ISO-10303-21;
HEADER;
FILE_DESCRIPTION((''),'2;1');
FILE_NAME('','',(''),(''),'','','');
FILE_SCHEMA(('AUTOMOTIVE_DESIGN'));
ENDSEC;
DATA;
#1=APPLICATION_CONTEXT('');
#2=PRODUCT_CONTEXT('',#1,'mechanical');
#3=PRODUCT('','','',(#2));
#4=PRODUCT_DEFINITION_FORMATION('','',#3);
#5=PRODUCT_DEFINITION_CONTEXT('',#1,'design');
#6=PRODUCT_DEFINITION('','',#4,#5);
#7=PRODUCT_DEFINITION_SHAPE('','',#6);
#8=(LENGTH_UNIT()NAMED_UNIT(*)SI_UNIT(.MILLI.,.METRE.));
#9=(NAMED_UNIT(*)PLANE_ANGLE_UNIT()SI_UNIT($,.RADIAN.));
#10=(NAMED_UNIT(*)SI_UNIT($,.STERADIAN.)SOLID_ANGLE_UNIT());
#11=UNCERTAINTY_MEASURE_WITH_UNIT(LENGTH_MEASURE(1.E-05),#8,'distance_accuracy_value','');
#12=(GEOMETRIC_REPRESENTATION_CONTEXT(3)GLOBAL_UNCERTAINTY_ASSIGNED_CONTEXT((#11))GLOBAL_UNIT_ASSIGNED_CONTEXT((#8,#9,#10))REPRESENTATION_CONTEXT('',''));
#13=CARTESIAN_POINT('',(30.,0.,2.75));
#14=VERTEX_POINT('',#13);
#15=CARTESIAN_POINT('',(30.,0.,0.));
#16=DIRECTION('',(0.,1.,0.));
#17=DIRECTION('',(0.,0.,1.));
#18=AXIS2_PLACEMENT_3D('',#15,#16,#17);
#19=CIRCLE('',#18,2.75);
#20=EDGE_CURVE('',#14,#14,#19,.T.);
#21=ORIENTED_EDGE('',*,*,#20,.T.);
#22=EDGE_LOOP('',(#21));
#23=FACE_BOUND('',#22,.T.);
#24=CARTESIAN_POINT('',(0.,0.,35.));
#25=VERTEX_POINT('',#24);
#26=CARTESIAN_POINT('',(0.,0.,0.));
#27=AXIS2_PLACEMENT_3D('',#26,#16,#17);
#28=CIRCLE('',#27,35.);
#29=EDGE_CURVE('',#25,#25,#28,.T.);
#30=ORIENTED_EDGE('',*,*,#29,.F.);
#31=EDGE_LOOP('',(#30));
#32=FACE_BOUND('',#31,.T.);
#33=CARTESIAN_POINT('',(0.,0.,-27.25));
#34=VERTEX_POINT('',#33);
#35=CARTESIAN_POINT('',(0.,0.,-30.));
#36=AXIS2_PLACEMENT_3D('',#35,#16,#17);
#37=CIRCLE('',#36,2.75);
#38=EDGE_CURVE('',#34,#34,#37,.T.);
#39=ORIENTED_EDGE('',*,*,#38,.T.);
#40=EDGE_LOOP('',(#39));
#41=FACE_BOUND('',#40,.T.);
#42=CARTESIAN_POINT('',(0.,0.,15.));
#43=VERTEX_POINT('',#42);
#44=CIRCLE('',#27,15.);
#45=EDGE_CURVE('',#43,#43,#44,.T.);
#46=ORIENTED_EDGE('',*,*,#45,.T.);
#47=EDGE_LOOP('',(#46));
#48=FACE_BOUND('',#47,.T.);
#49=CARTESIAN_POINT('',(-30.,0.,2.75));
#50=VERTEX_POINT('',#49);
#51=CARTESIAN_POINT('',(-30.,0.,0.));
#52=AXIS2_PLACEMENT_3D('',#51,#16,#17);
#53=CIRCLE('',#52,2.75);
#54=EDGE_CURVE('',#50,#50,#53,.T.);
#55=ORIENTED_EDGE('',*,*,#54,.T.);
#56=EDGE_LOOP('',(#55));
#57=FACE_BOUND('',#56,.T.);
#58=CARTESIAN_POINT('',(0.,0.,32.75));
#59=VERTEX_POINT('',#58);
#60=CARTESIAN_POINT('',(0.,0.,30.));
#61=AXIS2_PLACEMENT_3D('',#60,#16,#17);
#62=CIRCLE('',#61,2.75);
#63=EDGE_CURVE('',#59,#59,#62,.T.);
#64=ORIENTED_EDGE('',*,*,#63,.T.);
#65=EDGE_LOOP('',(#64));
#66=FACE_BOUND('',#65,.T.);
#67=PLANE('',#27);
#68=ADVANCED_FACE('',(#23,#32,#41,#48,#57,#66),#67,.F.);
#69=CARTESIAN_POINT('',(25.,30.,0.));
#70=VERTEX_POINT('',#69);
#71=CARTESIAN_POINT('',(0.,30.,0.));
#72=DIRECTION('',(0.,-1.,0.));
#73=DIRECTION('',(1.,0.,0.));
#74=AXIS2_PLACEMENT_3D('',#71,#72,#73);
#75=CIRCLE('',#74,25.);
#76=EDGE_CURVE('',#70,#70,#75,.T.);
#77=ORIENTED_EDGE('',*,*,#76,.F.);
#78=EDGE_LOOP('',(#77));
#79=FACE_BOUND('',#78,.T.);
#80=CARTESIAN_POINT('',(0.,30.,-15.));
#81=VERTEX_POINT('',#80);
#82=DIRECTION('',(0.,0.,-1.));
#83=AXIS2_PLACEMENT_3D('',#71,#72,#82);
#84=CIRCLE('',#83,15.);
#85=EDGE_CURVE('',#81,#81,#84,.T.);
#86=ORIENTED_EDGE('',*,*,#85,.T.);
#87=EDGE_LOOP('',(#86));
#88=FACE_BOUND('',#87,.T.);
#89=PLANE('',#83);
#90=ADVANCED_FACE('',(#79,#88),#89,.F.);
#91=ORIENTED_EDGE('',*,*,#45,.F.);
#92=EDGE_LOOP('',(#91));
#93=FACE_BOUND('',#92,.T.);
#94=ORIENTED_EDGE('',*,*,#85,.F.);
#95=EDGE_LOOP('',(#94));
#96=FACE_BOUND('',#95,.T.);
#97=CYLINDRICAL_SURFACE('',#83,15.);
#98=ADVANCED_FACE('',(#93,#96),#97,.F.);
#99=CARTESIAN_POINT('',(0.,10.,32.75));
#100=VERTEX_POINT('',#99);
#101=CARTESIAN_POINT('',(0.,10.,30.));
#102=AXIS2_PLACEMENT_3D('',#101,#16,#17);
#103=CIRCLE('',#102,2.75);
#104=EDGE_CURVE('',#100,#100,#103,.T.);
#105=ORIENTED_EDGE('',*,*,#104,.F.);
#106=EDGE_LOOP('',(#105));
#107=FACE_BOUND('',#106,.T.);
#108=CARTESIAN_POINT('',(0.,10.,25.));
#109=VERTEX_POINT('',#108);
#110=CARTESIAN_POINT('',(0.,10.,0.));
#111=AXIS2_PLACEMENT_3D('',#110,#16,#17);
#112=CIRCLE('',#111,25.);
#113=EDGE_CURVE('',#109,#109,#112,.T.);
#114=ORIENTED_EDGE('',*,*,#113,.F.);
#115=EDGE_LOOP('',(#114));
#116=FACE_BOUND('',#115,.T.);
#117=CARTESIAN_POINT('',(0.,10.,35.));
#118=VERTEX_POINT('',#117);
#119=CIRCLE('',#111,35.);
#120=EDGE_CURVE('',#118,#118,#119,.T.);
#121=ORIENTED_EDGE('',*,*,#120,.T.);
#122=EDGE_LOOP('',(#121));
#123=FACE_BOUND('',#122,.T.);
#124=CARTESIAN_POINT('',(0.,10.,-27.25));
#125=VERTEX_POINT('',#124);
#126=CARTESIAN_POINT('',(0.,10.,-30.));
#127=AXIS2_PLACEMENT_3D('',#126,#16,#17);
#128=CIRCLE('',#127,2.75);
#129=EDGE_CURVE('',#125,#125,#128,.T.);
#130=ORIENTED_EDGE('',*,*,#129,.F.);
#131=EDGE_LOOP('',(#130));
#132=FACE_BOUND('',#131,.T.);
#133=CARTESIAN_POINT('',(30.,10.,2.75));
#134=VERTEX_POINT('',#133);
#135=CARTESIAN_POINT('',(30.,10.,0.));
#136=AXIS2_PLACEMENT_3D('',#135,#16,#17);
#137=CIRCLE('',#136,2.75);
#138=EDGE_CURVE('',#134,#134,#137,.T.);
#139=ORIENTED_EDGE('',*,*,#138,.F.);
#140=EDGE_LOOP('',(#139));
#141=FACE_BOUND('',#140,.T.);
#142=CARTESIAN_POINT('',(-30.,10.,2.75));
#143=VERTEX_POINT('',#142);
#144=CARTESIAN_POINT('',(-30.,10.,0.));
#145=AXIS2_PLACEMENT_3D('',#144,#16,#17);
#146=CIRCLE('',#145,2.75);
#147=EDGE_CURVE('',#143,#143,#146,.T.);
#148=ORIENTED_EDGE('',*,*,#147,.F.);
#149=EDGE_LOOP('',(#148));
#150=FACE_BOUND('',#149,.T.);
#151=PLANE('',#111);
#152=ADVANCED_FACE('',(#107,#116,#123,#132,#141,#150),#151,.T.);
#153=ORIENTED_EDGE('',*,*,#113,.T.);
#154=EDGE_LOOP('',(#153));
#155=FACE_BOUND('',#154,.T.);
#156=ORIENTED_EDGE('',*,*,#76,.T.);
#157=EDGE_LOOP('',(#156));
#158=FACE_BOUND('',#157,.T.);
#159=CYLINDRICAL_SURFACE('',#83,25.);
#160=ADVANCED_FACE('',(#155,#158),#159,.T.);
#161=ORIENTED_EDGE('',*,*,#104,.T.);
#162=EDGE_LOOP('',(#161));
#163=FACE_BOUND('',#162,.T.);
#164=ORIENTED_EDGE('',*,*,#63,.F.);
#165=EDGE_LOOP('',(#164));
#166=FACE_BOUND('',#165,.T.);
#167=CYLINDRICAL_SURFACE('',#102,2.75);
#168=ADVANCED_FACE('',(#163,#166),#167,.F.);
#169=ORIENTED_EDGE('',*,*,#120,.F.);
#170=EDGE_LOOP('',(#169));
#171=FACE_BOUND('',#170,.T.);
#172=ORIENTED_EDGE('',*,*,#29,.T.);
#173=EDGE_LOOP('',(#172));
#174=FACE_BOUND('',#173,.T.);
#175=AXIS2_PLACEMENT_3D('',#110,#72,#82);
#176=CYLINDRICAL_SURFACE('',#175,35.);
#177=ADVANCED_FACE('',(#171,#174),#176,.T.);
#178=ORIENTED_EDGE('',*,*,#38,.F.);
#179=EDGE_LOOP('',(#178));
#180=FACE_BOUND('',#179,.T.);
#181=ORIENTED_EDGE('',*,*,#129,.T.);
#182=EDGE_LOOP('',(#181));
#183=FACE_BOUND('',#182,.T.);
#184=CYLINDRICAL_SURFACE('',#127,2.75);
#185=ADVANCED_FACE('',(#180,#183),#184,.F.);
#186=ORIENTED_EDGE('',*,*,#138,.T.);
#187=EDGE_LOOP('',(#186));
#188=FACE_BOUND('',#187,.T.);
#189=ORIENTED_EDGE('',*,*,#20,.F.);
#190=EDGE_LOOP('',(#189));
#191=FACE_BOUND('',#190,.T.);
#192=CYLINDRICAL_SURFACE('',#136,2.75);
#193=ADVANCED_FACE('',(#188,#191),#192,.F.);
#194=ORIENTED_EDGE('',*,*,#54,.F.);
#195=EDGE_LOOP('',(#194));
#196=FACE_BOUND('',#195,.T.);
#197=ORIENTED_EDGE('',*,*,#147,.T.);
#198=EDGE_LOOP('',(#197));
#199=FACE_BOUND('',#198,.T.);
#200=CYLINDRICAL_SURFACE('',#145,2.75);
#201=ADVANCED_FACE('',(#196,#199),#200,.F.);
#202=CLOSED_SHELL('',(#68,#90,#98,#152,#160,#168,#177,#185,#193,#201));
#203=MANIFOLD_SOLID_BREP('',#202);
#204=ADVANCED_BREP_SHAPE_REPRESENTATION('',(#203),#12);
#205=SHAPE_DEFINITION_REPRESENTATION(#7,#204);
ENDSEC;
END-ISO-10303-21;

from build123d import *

# Parameters (mm, degrees)
SKETCH_1_R          = 35
EXTRUDE_1_DEPTH     = 10
SKETCH_4_R          = 25
SKETCH_4_R_2        = 15
EXTRUDE_1_2_DEPTH   = 30
HOLE_WIZARD_1_D     = 5.5
SKETCH_7_R          = 15
CUT_EXTRUDE_1_DEPTH = 54.38539126


with BuildPart() as part:
    # 草图1 → Extrude 1 (new body)
    with BuildSketch(Plane(origin=(0, 0, 0), x_dir=(1, 0, 0), z_dir=(0, 1, 0))):
        with Locations(Location((0, 0, 0), (0, 0, 270))):
            Circle(SKETCH_1_R)
    extrude(amount=EXTRUDE_1_DEPTH)

    # 草图4 → Extrude 1 2 (add)
    with BuildSketch(Plane.XZ):
        Circle(SKETCH_4_R)
        Circle(SKETCH_4_R_2, mode=Mode.SUBTRACT)
    extrude(amount=-EXTRUDE_1_2_DEPTH)

    # 孔1 (through all)
    with Locations(Plane(origin=(0, 10, 0), x_dir=(1, 0, 0), z_dir=(0, 1, 0))):
        with Locations((0, 30), (30, 0), (0, -30), (-30, 0)):
            Hole(HOLE_WIZARD_1_D / 2)

    # 草图7 → 切除-拉伸1 (cut, through all)
    with BuildSketch(Plane(origin=(0, 10, 0), x_dir=(1, 0, 0), z_dir=(0, 1, 0))):
        with Locations(Location((0, 0, 0), (0, 0, 90))):
            Circle(SKETCH_7_R)
    extrude(amount=-CUT_EXTRUDE_1_DEPTH, mode=Mode.SUBTRACT)


solid = part.part
